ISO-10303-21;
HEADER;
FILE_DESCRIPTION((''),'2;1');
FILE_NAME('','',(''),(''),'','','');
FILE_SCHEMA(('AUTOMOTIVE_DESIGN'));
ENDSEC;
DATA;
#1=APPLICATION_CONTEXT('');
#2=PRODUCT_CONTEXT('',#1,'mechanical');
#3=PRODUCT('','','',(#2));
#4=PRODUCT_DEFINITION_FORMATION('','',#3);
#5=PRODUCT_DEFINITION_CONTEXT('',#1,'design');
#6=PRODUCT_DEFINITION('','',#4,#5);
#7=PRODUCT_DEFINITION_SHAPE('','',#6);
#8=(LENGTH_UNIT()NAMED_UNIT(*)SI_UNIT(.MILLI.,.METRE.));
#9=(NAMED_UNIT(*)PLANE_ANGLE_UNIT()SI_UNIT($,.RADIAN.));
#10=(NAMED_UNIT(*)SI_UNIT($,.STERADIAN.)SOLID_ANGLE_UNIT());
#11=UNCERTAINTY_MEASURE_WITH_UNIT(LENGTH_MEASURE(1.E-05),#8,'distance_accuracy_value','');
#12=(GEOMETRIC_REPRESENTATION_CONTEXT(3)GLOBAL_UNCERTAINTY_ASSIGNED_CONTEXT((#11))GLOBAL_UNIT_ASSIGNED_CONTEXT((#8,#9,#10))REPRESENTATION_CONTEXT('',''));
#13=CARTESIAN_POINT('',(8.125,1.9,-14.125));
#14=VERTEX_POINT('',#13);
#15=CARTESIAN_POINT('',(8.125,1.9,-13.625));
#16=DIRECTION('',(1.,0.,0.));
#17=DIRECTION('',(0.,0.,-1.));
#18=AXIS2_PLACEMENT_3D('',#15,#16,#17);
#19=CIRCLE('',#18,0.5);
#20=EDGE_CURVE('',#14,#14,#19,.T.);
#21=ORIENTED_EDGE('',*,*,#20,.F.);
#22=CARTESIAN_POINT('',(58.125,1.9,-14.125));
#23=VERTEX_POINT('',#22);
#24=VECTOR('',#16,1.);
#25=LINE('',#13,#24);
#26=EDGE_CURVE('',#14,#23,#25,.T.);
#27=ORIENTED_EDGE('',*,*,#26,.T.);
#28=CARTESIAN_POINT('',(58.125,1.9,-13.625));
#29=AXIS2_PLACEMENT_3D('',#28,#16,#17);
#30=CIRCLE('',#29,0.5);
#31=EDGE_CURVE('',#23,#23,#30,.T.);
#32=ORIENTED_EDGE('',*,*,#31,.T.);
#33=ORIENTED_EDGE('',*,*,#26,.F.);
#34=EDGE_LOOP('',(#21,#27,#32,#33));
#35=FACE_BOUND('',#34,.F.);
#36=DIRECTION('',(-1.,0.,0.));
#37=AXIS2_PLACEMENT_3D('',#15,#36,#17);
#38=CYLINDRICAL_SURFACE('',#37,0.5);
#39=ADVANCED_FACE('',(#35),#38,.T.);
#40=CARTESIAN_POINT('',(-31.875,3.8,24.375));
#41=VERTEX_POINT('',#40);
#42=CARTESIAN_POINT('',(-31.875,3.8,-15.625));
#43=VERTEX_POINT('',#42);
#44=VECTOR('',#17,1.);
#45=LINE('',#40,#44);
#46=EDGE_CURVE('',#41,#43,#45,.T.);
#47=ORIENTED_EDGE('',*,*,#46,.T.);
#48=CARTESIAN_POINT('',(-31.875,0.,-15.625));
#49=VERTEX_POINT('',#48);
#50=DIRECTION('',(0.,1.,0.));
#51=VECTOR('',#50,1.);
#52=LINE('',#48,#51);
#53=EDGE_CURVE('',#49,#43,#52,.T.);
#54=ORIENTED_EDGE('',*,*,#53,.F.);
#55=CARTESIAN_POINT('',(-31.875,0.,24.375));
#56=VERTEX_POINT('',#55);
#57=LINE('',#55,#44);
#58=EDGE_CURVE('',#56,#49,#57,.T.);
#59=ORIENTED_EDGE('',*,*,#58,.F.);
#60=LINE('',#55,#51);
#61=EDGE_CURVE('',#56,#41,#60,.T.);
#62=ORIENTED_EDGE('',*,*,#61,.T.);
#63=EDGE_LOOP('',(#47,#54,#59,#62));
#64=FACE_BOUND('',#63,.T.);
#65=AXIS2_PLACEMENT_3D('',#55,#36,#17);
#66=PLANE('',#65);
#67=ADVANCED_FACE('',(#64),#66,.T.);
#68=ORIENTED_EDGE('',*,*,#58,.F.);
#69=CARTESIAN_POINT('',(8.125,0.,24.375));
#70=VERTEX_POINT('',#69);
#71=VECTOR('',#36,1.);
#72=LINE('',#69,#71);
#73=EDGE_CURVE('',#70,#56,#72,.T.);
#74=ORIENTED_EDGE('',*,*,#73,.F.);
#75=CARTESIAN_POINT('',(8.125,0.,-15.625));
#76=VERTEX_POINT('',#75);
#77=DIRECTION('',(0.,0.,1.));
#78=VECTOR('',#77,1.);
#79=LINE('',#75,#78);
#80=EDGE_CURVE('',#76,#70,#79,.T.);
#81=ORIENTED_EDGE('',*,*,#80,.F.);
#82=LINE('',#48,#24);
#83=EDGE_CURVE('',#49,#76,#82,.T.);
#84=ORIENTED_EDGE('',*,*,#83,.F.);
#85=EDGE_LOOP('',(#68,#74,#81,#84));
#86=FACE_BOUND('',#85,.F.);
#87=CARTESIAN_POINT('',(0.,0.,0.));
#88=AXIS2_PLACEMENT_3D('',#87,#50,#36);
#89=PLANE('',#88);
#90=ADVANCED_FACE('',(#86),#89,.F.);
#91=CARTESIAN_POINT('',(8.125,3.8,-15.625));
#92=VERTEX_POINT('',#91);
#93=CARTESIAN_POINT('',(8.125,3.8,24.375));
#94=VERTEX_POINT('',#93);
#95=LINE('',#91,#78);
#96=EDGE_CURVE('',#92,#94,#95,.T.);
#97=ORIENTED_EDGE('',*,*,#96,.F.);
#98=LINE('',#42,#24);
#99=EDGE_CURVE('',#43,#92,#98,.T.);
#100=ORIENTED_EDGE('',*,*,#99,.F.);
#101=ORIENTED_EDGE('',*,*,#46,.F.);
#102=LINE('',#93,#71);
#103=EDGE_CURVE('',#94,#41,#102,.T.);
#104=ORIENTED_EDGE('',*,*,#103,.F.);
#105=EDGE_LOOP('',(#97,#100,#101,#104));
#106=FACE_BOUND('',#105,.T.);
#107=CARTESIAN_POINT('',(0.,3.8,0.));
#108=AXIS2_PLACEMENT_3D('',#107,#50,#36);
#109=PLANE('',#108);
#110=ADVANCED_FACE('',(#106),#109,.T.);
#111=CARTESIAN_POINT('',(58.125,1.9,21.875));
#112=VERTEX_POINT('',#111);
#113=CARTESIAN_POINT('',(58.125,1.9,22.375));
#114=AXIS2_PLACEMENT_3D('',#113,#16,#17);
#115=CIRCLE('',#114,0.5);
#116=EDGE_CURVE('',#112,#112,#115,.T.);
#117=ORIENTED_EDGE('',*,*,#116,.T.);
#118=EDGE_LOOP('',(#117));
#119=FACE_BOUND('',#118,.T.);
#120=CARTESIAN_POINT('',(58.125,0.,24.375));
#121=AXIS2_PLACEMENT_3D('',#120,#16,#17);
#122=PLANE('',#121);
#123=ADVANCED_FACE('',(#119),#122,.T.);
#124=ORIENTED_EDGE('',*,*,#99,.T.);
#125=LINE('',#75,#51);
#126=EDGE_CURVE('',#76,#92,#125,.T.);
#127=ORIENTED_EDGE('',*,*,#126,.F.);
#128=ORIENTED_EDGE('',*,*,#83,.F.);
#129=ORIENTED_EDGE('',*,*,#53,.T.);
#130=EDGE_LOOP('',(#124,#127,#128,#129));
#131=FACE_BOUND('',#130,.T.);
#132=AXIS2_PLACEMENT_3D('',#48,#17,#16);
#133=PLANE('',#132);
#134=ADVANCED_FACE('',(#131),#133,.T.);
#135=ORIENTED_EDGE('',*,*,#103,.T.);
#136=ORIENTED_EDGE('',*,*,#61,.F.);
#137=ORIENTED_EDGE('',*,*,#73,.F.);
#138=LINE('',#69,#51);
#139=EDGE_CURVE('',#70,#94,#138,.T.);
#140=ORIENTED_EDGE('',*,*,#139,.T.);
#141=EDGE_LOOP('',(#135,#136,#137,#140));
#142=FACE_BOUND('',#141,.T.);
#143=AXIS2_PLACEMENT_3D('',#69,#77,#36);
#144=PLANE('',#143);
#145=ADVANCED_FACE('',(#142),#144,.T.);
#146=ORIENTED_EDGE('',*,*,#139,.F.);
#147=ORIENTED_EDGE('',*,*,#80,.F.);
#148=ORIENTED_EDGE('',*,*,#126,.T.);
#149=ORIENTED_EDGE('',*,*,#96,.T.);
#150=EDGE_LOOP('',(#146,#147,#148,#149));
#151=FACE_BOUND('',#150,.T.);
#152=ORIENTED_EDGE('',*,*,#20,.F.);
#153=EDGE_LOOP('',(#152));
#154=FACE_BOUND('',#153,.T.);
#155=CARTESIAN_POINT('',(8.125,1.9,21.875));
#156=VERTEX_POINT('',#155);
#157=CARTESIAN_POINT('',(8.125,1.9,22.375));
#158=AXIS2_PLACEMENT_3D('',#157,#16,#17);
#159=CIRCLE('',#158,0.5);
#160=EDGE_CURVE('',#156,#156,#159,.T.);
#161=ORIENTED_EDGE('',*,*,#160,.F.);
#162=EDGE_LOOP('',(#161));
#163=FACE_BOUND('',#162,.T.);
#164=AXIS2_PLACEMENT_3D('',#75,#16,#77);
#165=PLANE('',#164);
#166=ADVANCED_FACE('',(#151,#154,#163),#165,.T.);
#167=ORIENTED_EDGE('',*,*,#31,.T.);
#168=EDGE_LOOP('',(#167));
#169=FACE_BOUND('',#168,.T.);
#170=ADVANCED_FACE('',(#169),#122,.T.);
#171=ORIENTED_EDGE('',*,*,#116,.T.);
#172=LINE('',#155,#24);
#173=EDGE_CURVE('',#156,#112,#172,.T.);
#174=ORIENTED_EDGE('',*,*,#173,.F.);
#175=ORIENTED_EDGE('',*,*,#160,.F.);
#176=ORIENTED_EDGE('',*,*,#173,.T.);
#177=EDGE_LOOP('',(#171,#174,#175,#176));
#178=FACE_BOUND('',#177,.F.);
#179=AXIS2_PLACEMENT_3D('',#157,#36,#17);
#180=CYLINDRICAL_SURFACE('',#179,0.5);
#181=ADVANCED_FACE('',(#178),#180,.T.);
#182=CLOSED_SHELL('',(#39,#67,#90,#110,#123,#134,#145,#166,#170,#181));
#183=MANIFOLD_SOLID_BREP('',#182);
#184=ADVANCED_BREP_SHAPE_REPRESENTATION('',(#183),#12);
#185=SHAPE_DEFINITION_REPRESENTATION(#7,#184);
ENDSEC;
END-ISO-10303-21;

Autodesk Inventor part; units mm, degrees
ref_plane "YZ Plane" through (0, 0, 0) normal (1, 0, 0) x (0, 1, 0)
ref_plane "XZ Plane" through (0, 0, 0) normal (0, 1, 0) x (-1, 0, 0)
ref_plane "XY Plane" through (0, 0, 0) normal (0, 0, 1) x (1, 0, 0)
sketch "Sketch1" plane through (0, 0, 0) normal (0, 1, 0) x (-1, 0, 0)
  line L0 (-8.125, 24.375) -> (31.875, 24.375)
  line L1 (31.875, 24.375) -> (31.875, -15.625)
  line L2 (31.875, -15.625) -> (-8.125, -15.625)
  line L3 (-8.125, -15.625) -> (-8.125, 24.375)
  point P0 (0, 0)
  dimension "d0" = 40
  dimension "d1" = 40
extrude "Extrusion1" add sketch "Sketch1" along normal blind 3.8
sketch "Sketch2" plane through (8.125, 0, 24.375) normal (1, 0, 0) x (0, 0, -1)
  line L0 (40, 0) -> (40, 3.8) projected
  line L1 (0, 0) -> (0, 3.8) projected
  circle A0 centre (2, 1.9) radius 0.5
  circle A1 centre (38, 1.9) radius 0.5
  point P0 (24.375, 0)
  dimension "d4" = 1
  dimension "d5" = 1
  dimension "d6" = 2
  dimension "d7" = 2
extrude "Extrusion2" add sketch "Sketch2" along normal blind 50
properties part number "Peltier"
